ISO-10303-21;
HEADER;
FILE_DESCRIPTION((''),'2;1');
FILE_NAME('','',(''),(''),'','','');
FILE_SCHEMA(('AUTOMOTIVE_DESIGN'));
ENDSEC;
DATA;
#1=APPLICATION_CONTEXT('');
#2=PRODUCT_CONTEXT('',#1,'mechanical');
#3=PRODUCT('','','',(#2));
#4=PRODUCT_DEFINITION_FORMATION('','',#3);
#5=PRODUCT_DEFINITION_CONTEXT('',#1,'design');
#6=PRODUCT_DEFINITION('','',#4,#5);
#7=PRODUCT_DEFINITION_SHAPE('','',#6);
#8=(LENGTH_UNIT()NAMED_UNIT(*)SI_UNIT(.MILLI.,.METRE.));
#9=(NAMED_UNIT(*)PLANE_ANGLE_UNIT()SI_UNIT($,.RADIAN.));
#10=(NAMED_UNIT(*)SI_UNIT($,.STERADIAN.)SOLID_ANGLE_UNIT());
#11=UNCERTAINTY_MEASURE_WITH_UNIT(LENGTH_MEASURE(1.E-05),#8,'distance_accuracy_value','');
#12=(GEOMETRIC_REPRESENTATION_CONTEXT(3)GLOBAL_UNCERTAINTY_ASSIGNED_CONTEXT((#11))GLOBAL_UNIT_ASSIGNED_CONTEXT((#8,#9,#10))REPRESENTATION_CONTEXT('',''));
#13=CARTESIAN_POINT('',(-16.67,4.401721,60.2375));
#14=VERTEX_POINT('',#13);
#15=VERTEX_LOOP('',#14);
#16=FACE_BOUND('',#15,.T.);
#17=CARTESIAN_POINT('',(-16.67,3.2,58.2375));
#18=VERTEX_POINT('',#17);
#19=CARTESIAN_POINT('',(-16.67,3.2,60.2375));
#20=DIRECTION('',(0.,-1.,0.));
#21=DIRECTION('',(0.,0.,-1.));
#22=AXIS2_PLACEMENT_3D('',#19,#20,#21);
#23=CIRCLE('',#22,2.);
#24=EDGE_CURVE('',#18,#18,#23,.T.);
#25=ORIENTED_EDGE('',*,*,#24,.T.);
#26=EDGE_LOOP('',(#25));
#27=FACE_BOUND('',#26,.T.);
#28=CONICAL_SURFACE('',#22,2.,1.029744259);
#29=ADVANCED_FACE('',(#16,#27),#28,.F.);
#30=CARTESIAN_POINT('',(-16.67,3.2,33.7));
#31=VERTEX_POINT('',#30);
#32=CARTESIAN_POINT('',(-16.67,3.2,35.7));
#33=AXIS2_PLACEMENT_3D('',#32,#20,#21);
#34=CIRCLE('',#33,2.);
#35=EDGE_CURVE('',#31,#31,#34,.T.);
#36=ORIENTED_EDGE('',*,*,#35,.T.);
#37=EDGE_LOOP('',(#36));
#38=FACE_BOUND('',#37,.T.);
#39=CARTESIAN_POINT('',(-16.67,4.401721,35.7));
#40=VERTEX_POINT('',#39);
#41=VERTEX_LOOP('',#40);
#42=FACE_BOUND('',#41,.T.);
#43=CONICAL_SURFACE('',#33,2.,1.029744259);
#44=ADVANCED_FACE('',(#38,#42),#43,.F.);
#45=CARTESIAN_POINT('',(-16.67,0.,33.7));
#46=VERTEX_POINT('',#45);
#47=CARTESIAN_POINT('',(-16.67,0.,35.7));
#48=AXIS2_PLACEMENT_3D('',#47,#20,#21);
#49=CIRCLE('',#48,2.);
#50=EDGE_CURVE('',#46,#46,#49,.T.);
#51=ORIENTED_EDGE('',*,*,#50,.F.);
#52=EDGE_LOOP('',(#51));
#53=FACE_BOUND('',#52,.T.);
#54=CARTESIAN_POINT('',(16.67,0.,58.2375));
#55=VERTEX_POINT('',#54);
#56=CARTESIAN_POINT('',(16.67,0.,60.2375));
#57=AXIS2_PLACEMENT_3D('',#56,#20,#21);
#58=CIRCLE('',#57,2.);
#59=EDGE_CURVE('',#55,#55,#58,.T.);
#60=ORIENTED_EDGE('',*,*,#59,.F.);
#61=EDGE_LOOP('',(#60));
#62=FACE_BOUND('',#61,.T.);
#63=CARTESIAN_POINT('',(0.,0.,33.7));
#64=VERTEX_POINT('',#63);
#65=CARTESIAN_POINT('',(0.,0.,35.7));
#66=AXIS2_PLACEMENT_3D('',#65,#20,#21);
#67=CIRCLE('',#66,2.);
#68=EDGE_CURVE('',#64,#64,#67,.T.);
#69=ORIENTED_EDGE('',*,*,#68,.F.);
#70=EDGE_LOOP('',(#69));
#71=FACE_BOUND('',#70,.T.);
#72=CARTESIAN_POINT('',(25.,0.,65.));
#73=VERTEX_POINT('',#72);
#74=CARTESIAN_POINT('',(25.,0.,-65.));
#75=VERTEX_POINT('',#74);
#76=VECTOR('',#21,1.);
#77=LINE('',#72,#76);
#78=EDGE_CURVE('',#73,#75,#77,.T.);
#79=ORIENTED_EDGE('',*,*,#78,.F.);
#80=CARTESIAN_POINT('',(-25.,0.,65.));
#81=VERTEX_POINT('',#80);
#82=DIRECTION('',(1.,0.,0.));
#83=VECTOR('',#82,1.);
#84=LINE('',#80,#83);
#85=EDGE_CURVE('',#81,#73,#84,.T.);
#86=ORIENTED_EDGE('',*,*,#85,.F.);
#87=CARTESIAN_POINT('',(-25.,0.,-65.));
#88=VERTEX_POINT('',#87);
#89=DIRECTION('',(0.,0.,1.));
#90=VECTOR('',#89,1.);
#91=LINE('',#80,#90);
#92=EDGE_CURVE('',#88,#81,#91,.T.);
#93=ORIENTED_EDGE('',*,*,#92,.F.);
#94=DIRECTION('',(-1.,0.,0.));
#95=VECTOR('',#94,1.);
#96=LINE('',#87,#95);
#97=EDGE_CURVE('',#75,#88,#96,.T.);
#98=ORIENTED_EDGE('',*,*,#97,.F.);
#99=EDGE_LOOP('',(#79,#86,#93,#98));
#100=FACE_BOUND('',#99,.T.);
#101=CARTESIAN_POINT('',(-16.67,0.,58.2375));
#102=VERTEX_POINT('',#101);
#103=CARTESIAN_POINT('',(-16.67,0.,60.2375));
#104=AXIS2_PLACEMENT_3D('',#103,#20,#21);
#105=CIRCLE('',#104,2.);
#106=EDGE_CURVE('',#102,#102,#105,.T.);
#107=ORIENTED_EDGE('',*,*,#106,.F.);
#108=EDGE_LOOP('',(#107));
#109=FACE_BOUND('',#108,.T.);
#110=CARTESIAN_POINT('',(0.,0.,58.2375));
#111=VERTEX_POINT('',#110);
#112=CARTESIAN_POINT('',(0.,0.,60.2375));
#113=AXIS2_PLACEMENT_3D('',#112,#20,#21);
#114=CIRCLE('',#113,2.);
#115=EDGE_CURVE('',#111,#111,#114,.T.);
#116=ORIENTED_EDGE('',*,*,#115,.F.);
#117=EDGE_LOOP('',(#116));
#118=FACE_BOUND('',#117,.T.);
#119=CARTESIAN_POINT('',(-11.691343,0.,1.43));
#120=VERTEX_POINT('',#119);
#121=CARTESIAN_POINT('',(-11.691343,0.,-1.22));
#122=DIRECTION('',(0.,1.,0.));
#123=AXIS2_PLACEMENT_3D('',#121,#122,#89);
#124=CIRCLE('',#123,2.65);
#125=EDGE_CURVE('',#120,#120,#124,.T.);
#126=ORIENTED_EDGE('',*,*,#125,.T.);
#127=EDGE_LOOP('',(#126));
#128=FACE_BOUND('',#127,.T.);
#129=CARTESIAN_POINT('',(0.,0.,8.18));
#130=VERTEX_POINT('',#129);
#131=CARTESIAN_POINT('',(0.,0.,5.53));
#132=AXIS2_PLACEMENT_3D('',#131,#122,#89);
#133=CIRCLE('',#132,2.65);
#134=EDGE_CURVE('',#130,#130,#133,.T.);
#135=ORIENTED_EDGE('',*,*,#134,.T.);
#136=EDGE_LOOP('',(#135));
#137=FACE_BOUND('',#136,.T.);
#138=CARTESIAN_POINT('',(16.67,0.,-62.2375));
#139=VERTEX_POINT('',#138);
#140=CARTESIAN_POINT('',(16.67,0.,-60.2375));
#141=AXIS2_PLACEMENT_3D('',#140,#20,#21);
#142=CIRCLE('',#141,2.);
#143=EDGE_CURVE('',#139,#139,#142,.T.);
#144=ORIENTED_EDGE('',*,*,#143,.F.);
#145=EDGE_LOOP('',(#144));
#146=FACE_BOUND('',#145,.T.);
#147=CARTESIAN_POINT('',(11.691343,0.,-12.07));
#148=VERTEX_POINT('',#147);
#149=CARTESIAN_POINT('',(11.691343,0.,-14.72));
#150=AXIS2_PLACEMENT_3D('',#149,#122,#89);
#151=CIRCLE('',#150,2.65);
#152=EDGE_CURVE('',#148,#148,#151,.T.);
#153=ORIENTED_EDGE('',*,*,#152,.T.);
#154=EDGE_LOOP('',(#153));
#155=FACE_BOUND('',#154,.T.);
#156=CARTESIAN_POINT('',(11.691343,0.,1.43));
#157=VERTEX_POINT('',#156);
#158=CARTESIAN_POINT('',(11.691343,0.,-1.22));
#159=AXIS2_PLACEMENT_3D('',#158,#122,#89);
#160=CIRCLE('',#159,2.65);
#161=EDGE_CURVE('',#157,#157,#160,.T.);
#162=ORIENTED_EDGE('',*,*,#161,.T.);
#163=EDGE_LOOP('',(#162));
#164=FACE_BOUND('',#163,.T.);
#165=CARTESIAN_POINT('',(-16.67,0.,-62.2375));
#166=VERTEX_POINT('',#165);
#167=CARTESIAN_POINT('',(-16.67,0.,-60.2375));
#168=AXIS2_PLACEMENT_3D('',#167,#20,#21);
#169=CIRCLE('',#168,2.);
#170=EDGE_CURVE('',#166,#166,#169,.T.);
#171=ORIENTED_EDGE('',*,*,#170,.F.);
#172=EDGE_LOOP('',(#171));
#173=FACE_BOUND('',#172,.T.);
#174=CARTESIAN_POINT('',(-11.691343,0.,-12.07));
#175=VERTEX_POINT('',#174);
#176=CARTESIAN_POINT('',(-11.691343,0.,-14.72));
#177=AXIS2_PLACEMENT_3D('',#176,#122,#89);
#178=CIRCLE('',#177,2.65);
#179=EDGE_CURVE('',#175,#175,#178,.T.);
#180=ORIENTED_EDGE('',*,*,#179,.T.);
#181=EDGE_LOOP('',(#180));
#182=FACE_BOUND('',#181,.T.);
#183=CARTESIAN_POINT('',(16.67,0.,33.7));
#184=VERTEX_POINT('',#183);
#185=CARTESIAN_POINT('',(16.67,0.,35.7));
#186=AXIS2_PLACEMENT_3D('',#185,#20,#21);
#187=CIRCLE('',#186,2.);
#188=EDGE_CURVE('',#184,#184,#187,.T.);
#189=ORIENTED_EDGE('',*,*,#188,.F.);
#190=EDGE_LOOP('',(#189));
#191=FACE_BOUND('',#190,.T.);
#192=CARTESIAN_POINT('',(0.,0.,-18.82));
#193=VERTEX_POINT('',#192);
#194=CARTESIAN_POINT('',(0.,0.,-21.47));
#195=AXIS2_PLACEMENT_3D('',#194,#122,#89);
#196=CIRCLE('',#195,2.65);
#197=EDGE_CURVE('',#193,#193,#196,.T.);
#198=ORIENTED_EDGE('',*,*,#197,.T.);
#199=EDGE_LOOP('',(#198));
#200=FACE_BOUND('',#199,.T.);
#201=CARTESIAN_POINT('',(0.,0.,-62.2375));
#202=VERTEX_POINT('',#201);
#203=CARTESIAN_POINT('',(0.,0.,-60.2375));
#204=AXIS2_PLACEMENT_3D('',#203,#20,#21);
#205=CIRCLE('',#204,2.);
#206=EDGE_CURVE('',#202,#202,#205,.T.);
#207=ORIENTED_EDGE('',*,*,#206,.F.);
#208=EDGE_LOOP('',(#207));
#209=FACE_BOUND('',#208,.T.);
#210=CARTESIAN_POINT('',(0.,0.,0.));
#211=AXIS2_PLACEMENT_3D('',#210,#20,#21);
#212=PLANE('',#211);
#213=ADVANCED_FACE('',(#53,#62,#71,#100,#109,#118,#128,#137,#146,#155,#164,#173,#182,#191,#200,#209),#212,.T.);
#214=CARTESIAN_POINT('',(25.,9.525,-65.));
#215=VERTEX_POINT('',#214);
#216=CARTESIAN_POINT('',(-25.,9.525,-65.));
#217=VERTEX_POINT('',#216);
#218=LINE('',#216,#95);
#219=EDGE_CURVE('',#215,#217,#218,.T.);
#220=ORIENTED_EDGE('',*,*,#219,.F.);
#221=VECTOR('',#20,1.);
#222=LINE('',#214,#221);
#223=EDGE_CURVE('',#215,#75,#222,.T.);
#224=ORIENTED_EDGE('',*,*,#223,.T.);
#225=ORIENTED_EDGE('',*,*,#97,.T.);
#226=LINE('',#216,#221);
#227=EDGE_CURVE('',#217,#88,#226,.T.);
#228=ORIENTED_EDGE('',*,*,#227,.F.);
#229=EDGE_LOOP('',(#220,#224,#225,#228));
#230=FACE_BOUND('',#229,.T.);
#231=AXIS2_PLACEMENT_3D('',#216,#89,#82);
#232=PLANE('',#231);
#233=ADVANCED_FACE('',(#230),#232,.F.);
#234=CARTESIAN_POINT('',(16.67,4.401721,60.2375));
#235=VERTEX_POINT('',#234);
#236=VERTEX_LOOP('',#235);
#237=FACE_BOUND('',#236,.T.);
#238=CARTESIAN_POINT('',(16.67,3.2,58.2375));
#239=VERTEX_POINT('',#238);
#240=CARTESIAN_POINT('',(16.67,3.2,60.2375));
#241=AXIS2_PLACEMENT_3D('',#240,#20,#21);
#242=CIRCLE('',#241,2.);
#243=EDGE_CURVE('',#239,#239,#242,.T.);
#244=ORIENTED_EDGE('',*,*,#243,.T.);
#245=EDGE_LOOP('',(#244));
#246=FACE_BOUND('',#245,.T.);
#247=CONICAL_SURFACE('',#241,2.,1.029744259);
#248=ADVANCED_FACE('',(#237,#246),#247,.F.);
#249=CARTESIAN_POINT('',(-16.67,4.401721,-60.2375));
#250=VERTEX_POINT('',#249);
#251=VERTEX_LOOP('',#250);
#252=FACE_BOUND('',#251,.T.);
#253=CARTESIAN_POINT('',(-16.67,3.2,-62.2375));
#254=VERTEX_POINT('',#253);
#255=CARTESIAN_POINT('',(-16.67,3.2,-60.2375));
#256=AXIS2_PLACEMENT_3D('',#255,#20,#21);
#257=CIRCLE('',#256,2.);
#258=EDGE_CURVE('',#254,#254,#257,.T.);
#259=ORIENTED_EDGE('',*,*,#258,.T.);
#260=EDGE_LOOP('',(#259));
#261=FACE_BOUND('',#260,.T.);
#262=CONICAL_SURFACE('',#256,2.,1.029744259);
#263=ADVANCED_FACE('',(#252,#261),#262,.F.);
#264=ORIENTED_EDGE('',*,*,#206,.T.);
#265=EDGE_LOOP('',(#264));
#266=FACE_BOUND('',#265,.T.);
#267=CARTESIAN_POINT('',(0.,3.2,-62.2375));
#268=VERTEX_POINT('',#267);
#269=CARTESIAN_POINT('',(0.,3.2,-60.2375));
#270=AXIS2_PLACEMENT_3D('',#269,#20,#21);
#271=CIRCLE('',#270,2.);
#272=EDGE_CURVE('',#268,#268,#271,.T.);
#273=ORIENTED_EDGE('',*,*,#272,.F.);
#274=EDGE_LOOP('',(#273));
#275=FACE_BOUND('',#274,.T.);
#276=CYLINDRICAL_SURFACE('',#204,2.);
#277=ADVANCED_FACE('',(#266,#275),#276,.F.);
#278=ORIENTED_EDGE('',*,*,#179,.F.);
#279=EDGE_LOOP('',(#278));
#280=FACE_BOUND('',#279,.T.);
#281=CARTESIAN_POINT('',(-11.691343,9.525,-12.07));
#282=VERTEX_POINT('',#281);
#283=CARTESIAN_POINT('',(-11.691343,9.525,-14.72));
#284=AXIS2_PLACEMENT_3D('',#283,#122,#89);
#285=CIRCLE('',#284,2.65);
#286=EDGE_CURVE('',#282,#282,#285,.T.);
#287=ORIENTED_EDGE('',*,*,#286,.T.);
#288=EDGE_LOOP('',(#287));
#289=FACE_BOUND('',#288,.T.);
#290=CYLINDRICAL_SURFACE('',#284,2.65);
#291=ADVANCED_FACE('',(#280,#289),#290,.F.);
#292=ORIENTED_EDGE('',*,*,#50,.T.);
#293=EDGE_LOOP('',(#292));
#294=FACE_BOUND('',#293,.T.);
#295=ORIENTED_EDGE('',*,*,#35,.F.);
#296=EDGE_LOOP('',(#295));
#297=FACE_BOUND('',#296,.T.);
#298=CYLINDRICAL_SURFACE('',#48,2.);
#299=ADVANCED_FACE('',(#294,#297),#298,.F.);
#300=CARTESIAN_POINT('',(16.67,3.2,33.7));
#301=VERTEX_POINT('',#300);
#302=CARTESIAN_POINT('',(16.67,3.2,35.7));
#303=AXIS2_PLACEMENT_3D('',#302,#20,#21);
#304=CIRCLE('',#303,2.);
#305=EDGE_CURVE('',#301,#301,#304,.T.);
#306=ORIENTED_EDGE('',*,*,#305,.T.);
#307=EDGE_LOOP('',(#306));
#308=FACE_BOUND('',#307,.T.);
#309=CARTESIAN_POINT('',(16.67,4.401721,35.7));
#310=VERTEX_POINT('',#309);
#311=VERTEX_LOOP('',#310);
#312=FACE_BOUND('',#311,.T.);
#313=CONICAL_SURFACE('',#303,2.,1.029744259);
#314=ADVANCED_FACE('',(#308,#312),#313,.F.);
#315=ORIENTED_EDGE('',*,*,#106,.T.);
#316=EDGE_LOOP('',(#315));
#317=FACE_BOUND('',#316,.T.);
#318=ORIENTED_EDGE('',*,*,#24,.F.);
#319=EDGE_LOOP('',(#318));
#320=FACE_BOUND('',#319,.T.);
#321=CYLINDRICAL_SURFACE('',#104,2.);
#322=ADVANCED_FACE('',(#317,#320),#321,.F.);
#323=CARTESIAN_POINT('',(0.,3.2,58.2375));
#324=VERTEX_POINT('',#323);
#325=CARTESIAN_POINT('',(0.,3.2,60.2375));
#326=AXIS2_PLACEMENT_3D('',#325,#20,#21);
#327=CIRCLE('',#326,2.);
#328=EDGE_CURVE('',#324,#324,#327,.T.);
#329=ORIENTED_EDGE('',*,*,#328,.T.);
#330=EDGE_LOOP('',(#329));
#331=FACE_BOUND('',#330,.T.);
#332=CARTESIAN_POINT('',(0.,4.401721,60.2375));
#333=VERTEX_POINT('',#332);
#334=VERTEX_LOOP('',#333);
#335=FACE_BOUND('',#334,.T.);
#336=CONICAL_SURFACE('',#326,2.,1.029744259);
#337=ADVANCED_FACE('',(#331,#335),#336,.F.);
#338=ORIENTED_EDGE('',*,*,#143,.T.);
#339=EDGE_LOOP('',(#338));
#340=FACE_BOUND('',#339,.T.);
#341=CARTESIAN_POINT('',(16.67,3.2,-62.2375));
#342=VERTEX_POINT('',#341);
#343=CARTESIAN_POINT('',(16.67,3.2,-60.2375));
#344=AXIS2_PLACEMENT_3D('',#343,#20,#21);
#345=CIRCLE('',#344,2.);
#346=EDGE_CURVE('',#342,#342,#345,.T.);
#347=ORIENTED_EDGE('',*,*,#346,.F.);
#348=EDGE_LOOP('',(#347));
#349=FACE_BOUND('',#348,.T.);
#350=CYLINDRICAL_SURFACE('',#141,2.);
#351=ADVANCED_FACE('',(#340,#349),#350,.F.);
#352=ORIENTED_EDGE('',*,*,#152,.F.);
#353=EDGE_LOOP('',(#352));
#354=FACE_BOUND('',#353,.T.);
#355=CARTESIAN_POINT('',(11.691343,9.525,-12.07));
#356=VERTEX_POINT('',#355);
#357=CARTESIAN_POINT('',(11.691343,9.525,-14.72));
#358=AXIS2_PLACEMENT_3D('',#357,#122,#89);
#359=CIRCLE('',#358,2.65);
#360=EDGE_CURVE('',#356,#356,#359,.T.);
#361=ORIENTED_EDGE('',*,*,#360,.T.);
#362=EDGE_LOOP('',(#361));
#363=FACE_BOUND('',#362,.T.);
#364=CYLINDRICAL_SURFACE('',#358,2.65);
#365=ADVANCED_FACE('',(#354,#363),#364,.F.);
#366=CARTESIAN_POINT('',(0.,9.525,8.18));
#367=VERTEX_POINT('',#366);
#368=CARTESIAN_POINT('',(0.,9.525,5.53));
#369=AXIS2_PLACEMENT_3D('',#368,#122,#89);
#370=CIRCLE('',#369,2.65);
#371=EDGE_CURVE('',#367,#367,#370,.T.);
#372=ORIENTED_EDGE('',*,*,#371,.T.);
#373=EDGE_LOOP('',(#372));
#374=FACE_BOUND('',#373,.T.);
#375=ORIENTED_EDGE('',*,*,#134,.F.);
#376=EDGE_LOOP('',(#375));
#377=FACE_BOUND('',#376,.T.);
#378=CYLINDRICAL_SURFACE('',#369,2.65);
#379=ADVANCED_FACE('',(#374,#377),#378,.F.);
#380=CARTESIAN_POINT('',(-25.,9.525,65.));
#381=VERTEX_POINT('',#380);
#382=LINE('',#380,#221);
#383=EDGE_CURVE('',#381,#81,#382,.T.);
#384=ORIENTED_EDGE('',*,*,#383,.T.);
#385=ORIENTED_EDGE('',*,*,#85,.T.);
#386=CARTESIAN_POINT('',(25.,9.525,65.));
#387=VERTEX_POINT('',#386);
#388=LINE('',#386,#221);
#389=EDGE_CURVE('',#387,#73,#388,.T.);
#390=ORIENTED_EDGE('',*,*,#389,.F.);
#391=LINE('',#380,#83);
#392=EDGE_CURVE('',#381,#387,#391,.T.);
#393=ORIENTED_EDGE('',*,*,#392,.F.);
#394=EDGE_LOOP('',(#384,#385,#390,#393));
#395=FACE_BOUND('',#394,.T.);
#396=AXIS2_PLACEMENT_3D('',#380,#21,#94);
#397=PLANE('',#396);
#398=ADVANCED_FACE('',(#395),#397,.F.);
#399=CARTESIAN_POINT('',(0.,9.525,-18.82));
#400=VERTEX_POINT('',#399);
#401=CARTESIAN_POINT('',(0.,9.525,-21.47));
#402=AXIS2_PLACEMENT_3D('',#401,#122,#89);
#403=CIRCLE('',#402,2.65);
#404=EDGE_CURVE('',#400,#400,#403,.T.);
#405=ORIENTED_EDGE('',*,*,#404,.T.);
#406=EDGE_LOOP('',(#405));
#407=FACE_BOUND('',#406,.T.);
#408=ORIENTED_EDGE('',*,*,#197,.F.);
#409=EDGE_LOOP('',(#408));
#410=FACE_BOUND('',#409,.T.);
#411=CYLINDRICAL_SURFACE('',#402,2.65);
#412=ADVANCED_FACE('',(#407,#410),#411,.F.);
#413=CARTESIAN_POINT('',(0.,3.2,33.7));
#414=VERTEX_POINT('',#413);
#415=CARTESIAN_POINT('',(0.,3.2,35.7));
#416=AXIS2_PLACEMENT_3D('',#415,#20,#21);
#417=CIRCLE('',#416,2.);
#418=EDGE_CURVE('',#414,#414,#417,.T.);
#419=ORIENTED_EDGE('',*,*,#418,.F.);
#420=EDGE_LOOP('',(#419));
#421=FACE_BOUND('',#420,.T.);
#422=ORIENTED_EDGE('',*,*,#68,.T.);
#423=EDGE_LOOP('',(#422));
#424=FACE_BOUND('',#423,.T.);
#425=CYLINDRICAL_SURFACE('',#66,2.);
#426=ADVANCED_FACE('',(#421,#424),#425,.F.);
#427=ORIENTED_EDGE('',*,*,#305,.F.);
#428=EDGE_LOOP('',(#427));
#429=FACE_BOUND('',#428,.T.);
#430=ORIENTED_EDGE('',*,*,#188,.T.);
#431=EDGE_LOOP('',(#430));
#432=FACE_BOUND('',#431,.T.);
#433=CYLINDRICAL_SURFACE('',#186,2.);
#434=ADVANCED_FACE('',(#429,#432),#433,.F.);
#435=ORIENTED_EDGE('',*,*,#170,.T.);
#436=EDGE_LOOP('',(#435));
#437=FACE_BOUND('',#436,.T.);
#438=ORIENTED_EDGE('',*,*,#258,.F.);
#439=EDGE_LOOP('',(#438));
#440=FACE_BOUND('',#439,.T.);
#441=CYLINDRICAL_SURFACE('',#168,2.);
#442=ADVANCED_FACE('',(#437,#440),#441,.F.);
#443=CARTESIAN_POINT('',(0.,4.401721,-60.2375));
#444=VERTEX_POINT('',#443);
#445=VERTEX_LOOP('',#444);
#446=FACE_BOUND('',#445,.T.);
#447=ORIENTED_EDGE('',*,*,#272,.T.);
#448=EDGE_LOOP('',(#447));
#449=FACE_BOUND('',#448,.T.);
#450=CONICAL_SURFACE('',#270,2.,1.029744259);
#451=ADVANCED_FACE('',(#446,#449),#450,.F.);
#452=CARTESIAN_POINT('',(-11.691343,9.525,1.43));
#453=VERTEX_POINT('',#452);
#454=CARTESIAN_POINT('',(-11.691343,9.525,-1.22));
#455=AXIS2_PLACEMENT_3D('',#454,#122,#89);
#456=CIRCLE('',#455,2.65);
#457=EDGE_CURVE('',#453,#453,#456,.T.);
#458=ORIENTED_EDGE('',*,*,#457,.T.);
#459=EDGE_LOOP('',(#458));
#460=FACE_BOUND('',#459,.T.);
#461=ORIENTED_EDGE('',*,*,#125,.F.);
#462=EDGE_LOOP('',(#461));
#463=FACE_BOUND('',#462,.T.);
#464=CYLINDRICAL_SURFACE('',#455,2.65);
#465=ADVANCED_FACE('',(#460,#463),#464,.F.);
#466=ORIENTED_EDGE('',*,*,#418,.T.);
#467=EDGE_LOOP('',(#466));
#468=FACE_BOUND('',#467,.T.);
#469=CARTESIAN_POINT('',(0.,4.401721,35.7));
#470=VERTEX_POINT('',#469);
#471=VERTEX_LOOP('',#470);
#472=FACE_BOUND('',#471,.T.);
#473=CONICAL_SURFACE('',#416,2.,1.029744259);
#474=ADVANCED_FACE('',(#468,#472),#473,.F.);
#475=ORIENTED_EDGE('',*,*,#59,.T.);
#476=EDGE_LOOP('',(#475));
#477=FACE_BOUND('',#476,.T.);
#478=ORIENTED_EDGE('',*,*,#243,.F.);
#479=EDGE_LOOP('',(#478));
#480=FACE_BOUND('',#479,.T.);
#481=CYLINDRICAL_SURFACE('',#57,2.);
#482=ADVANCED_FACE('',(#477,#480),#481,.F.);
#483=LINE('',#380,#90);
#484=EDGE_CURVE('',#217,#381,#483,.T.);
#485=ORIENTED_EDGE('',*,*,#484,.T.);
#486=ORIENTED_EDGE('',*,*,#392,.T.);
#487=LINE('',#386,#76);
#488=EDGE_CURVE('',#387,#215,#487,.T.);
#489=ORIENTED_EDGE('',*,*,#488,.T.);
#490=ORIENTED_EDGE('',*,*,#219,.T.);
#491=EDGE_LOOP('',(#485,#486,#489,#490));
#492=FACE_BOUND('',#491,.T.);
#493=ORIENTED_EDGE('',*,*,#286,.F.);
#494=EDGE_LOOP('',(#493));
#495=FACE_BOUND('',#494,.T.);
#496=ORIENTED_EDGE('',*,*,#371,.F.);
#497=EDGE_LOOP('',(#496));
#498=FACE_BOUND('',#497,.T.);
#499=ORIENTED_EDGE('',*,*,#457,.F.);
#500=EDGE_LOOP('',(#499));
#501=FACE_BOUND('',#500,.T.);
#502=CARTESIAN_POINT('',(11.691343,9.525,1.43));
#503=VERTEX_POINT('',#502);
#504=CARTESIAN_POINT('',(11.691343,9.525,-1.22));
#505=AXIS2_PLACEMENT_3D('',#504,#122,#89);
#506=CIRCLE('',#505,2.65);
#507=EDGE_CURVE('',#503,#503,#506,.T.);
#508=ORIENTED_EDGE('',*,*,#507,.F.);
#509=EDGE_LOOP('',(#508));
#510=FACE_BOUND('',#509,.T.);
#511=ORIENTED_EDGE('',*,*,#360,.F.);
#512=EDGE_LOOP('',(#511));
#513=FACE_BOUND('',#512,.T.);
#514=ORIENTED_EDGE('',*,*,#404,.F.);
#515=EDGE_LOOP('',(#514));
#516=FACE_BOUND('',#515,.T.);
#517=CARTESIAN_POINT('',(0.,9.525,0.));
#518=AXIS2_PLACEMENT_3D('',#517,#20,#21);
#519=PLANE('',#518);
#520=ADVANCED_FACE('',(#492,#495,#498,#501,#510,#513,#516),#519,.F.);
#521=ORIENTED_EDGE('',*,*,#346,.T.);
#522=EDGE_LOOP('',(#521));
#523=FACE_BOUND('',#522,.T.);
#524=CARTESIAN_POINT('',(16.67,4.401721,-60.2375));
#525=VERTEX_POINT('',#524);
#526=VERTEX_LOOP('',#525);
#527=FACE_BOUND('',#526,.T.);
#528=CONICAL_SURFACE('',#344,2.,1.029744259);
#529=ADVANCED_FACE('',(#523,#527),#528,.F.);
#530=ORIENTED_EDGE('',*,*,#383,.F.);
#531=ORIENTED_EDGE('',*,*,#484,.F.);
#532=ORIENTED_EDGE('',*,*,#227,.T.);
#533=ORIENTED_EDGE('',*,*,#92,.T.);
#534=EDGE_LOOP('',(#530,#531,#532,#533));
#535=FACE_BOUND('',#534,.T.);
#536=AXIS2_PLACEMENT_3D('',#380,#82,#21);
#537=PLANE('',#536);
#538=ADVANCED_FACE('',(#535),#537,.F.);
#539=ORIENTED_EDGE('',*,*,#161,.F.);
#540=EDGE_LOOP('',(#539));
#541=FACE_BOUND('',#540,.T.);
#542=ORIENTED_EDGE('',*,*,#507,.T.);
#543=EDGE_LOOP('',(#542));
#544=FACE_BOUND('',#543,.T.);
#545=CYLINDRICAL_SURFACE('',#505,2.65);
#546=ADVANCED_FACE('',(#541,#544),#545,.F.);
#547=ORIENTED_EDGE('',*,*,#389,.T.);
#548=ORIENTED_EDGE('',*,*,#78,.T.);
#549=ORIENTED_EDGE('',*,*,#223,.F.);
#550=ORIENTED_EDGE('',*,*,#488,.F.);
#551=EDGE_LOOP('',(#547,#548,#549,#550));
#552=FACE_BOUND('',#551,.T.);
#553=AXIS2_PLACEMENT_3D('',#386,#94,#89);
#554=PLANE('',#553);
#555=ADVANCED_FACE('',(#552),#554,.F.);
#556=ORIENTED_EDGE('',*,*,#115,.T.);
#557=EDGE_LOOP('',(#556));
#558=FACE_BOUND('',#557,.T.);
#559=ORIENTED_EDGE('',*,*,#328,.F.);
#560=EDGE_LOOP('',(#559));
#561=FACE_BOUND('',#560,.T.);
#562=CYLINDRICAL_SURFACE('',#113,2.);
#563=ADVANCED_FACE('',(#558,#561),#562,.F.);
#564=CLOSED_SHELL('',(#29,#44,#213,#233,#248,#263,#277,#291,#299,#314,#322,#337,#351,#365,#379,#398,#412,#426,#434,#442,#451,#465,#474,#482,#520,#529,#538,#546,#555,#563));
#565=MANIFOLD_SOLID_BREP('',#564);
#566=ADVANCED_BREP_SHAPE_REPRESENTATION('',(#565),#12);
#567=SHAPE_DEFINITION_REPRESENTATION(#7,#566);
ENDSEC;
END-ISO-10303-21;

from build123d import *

# Parameters (mm, degrees)
SKETCH1_W                 = 50
SKETCH1_H                 = 130
BOSS_EXTRUDE1_DEPTH       = 9.525
F_4_0MM_DOWEL_HOLE1_D     = 4
F_4_0MM_DOWEL_HOLE1_DEPTH = 3.2
F_4_0MM_DOWEL_HOLE1_TIP   = 1.201721238
M5_CLEARANCE_HOLE1_D      = 5.3


with BuildPart() as part:
    # Sketch1 → Boss-Extrude1 (new body)
    with BuildSketch(Plane(origin=(0, 0, 0), x_dir=(1, 0, 0), z_dir=(0, 1, 0))):
        Rectangle(SKETCH1_W, SKETCH1_H)
    extrude(amount=BOSS_EXTRUDE1_DEPTH)

    # Ø4.0mm Dowel Hole1
    with Locations(Plane.XZ):
        with Locations((-16.67, 60.2375), (-16.67, -60.2375), (0, -60.2375), (16.67, -60.2375), (16.67, 35.7), (0, 35.7), (-16.67, 35.7), (16.67, 60.2375), (0, 60.2375)):
            Hole(F_4_0MM_DOWEL_HOLE1_D / 2, depth=F_4_0MM_DOWEL_HOLE1_DEPTH)
            with Locations((0, 0, -(F_4_0MM_DOWEL_HOLE1_DEPTH + F_4_0MM_DOWEL_HOLE1_TIP / 2))):  # 118° drill point
                Cone(0, F_4_0MM_DOWEL_HOLE1_D / 2, F_4_0MM_DOWEL_HOLE1_TIP, mode=Mode.SUBTRACT)

    # M5 Clearance Hole1 (through all)
    with Locations(Plane(origin=(0, 9.525, 0), x_dir=(1, 0, 0), z_dir=(0, 1, 0))):
        with Locations((-11.691342951, 14.72), (0, 21.47), (11.691342951, 14.72), (11.691342951, 1.22), (0, -5.53), (-11.691342951, 1.22)):
            Hole(M5_CLEARANCE_HOLE1_D / 2)


solid = part.part
